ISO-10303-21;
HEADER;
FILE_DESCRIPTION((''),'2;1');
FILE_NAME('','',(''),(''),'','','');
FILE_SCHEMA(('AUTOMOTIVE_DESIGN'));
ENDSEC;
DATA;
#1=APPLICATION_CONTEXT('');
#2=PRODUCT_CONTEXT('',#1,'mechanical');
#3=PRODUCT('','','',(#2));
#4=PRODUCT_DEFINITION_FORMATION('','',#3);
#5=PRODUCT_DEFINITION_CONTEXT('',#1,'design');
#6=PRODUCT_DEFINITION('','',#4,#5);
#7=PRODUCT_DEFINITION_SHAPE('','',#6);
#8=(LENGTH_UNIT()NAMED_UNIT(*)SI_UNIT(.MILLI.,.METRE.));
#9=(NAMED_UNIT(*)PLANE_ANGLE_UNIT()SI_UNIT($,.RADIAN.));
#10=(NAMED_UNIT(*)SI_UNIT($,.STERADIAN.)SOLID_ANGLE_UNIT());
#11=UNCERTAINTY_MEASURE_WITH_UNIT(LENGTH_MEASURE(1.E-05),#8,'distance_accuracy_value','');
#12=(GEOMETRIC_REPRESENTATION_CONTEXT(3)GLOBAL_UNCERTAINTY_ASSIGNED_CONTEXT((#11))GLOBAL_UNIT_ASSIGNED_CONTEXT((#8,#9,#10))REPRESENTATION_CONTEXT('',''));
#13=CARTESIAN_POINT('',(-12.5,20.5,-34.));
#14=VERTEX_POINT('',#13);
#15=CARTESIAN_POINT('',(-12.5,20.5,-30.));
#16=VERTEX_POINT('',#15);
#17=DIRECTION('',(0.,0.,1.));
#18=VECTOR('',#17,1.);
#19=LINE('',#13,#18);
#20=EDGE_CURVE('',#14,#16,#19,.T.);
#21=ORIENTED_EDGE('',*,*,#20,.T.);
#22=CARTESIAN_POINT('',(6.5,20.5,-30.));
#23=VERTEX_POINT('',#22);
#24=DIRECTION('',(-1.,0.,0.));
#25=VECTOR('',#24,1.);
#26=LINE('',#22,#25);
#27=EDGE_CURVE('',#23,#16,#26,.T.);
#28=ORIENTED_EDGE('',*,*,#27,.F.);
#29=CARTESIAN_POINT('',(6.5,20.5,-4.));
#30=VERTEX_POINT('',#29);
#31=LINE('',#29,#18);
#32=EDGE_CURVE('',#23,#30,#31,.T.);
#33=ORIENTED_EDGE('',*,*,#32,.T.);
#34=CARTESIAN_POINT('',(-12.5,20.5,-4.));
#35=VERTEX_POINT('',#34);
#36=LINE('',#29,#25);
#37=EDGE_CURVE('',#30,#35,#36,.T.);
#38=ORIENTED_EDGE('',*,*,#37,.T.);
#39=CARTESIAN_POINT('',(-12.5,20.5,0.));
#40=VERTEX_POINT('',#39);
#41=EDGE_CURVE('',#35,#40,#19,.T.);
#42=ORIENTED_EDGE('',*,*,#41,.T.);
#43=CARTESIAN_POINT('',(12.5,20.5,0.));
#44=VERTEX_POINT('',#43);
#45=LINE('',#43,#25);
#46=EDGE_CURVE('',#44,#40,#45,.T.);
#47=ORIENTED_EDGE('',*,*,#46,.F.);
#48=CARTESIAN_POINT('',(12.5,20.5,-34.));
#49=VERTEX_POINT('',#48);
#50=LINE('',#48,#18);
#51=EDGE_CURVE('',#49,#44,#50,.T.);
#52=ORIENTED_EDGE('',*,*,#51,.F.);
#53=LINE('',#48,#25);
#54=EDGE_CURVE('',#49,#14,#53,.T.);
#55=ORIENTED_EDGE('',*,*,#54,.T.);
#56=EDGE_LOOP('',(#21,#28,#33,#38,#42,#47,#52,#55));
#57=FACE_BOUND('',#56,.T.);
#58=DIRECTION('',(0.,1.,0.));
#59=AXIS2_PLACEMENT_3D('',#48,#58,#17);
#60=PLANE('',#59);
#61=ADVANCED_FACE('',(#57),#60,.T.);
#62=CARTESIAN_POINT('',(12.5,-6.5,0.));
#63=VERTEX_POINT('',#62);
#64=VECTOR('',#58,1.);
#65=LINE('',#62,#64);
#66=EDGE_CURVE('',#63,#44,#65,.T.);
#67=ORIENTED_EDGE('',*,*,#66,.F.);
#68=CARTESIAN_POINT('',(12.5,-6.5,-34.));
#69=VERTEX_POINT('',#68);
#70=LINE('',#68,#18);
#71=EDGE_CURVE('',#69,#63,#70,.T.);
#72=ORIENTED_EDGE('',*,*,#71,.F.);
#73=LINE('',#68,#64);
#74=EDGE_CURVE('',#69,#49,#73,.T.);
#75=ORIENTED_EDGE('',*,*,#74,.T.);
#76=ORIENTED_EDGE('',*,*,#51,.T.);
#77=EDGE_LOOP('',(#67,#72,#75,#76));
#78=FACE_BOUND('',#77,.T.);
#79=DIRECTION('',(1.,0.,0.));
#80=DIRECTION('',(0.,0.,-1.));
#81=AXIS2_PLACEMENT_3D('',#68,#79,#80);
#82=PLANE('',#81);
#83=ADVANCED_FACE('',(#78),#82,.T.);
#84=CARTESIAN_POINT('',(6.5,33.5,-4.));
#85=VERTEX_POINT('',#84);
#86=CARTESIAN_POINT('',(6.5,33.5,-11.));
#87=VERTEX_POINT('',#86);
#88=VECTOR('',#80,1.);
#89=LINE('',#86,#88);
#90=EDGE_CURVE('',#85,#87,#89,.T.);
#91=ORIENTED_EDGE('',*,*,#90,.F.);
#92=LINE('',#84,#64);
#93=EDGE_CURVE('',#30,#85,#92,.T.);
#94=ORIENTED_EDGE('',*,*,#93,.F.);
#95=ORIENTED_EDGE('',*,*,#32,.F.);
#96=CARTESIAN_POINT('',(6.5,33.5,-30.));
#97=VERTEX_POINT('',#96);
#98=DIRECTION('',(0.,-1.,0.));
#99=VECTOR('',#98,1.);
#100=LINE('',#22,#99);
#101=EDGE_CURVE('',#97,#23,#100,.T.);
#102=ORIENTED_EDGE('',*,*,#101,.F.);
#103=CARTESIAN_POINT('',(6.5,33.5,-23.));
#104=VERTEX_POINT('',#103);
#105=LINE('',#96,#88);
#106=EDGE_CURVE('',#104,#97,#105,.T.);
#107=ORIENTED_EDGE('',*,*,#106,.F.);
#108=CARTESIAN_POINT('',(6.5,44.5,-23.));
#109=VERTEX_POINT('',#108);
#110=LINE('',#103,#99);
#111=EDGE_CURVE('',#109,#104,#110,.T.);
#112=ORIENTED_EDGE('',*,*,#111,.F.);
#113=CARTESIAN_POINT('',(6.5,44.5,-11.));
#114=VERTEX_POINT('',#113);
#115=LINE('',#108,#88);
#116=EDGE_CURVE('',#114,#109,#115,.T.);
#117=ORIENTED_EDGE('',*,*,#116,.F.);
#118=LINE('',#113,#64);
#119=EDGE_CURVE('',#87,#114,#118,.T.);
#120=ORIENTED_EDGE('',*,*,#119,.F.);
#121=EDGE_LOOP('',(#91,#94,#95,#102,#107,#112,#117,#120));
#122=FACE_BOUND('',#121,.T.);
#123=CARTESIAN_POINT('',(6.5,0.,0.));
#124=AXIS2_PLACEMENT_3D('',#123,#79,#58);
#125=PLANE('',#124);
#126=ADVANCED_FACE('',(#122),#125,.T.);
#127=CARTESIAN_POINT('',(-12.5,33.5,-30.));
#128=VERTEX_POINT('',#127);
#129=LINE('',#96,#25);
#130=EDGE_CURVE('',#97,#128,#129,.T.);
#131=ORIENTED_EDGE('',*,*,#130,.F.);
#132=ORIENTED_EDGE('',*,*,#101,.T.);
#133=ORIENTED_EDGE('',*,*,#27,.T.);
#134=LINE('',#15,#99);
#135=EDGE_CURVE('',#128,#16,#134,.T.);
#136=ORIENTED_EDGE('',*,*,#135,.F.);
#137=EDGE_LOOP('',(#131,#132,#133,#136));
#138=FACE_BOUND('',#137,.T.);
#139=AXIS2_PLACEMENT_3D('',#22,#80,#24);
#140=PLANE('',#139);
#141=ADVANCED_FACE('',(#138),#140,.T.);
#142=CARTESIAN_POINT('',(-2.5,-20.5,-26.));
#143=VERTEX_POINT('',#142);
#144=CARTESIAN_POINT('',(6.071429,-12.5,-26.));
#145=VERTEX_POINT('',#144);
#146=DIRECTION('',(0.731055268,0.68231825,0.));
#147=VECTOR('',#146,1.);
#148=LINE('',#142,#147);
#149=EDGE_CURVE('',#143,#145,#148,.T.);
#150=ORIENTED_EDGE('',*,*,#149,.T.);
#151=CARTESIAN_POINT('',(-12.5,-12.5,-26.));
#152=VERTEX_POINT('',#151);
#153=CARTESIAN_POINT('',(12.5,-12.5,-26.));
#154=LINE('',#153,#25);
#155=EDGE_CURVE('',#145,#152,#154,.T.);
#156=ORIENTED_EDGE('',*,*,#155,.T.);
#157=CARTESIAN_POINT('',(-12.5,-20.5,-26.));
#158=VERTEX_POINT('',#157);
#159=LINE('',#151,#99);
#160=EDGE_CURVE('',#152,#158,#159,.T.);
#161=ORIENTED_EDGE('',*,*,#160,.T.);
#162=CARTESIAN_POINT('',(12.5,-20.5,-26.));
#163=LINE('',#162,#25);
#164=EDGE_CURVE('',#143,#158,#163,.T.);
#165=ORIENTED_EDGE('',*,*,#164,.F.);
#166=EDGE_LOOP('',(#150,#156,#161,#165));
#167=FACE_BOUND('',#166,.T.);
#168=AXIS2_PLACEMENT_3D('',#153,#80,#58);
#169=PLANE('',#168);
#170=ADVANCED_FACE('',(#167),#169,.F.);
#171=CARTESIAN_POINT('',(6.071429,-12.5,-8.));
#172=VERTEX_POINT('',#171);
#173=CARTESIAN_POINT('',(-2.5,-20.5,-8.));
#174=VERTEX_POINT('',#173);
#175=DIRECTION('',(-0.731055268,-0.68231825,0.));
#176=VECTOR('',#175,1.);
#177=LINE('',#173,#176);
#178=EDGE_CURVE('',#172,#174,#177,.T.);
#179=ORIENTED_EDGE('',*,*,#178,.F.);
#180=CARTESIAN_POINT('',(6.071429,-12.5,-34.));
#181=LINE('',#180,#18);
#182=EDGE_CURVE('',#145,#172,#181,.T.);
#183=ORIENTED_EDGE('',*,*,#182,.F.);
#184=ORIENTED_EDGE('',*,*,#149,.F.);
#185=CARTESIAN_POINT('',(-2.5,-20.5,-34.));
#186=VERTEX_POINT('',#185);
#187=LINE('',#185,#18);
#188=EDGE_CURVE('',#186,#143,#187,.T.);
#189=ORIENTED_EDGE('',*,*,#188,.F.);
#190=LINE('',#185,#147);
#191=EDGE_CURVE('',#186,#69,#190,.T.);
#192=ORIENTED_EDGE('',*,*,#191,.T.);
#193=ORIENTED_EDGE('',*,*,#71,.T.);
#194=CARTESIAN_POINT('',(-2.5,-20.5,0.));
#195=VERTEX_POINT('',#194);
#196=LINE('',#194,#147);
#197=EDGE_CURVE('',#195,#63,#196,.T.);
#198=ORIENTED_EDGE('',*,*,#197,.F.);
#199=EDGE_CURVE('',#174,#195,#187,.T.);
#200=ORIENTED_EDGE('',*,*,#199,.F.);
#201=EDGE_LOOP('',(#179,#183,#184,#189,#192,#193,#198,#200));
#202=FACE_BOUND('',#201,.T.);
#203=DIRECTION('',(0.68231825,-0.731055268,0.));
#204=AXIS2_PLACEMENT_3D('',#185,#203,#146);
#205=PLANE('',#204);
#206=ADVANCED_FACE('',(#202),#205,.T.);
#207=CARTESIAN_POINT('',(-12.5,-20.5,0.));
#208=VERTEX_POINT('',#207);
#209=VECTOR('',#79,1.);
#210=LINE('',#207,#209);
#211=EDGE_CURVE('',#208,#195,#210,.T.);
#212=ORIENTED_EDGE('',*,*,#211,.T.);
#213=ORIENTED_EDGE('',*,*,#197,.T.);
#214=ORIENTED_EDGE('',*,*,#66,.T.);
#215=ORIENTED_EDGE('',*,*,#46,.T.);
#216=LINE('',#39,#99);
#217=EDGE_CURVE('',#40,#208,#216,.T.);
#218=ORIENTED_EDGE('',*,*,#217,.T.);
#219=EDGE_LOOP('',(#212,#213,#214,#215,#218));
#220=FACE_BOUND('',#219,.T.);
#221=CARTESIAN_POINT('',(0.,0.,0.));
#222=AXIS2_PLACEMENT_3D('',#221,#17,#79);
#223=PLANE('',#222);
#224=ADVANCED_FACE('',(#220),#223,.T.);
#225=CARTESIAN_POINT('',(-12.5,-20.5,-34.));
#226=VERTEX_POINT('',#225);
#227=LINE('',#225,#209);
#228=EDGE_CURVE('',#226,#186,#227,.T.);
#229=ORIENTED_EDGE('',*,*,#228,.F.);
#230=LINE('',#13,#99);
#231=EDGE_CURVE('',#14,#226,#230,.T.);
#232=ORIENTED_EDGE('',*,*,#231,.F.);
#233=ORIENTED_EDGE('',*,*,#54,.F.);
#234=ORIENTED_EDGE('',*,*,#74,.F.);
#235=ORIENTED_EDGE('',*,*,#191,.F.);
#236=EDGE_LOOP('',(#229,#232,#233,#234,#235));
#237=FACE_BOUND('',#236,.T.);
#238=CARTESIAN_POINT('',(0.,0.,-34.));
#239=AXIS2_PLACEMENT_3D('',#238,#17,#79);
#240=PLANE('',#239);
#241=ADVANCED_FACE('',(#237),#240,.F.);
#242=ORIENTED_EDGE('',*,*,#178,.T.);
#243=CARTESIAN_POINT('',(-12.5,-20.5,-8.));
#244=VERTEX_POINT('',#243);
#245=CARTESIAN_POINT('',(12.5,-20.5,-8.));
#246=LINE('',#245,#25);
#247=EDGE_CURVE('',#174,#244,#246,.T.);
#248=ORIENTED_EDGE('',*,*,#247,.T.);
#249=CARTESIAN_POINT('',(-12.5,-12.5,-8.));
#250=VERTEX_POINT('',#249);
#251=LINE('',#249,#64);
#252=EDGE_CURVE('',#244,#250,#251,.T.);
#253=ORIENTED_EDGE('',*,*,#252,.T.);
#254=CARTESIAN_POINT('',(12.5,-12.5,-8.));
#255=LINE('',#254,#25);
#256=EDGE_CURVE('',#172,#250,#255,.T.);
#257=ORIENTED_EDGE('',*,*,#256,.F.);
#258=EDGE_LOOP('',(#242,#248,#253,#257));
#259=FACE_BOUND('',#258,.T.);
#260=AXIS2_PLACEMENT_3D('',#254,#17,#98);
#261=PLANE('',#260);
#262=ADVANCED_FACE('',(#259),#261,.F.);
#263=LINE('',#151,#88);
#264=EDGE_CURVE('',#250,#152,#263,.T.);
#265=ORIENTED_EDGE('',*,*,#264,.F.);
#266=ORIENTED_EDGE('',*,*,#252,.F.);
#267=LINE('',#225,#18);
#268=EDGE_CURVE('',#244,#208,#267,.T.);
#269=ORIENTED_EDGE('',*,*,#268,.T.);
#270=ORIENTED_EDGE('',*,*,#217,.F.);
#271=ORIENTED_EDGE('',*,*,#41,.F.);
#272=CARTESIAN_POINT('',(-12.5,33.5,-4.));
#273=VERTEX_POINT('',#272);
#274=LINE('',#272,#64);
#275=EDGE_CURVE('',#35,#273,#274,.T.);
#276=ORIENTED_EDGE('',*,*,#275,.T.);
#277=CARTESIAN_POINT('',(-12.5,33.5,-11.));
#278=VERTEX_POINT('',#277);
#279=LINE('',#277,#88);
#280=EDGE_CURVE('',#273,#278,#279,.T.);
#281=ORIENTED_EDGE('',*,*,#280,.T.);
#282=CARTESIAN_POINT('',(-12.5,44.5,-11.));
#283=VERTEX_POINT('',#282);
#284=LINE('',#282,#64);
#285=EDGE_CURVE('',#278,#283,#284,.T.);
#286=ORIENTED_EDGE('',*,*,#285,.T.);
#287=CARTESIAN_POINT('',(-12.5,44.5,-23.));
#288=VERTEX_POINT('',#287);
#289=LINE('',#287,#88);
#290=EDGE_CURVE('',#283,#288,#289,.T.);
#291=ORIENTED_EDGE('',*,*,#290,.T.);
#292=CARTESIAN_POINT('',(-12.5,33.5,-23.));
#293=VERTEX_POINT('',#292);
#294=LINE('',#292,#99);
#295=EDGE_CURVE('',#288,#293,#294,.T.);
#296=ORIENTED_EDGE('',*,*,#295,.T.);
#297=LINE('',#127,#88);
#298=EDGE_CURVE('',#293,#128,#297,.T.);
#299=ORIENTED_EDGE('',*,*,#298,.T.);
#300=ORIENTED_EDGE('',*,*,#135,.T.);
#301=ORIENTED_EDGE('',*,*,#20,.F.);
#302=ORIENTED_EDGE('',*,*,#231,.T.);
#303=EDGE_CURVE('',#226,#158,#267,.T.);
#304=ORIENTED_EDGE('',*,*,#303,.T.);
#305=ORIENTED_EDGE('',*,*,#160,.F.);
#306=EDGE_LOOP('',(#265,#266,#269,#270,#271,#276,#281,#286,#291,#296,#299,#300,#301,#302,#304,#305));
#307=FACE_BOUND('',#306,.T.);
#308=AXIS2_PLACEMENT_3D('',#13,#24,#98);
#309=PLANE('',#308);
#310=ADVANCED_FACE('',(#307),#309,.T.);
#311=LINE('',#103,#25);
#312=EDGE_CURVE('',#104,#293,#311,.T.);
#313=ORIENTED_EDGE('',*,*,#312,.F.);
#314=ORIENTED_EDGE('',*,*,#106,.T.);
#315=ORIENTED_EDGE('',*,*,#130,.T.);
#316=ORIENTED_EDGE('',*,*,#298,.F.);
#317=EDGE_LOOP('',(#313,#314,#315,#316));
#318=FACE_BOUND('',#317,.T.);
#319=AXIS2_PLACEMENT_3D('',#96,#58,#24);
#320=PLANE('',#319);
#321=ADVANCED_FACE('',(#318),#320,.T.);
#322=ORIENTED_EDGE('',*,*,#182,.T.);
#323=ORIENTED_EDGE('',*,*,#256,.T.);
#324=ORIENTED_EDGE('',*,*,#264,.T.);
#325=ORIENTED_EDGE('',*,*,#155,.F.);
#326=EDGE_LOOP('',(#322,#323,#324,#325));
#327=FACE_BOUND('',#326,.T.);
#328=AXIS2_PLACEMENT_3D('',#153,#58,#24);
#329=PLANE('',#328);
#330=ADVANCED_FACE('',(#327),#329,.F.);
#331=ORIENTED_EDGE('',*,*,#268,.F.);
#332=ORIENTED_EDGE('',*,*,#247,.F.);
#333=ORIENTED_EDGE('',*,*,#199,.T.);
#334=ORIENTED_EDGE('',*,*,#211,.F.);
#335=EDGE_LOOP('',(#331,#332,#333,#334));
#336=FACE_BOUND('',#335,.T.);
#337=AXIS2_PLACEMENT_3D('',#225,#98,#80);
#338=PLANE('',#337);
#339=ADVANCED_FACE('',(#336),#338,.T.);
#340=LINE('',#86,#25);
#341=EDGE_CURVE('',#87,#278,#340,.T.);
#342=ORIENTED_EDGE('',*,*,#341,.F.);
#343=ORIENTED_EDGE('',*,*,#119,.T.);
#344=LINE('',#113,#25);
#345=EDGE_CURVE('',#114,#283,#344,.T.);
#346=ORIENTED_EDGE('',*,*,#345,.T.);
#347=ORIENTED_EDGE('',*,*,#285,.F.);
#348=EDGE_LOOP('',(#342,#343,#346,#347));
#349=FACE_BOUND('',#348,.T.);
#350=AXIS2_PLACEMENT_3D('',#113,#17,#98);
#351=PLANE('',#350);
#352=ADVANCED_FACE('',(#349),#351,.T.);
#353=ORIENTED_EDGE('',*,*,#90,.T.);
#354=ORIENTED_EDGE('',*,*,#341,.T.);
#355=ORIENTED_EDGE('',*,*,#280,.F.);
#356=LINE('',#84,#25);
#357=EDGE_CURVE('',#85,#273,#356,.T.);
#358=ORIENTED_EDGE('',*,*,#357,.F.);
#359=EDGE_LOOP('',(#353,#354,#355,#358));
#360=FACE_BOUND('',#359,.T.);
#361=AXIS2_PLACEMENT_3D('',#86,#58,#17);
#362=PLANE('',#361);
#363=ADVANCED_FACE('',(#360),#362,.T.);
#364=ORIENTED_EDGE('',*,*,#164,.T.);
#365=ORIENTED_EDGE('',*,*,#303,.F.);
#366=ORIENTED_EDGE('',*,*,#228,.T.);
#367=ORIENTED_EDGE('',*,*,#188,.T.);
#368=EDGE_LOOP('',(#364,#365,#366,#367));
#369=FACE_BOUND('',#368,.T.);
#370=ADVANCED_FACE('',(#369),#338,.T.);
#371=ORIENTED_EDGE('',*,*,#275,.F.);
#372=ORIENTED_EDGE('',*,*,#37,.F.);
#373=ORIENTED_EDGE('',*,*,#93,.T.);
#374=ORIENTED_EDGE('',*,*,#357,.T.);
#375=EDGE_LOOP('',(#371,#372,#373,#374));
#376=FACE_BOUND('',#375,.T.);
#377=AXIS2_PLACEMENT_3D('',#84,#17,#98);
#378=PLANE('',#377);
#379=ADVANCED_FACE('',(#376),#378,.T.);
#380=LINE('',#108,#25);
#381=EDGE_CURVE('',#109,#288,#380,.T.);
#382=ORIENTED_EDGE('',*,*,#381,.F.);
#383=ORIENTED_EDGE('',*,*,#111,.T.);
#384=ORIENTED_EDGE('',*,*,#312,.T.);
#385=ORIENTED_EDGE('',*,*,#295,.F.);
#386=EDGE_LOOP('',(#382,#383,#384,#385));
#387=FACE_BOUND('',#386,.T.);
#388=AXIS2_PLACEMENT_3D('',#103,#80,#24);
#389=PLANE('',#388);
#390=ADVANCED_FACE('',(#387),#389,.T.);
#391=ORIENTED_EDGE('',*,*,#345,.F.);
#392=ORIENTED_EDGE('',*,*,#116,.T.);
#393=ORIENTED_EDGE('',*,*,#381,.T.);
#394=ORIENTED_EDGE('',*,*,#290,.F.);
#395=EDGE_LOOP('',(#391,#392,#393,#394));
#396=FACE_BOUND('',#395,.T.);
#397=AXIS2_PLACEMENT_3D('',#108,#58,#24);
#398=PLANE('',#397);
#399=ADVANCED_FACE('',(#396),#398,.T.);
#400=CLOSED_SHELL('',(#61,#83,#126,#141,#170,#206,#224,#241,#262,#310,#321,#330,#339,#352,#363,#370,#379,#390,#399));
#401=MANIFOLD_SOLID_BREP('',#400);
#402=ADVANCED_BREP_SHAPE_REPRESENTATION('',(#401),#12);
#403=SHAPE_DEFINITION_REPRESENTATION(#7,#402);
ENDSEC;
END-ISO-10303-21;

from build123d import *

# Parameters (mm, degrees)
BOSS_EXTRUDE1_DEPTH = 34
BOSS_EXTRUDE2_DEPTH = 19
SKETCH3_W           = 18
SKETCH3_H           = 8
CUT_EXTRUDE1_DEPTH  = 62.329030646


with BuildPart() as part:
    # Sketch1 → Boss-Extrude1 (new body)
    with BuildSketch(Plane.XY):
        Polygon((-12.5, 20.5), (-12.5, -20.5), (-2.5, -20.5), (12.5, -6.5), (12.5, 20.5), align=None)
    extrude(amount=-BOSS_EXTRUDE1_DEPTH)

    # Sketch2 → Boss-Extrude2 (add)
    with BuildSketch(Plane.ZY.offset(12.5)):
        Polygon((-30, 20.5), (-30, 33.5), (-23, 33.5), (-23, 44.5), (-11, 44.5), (-11, 33.5), (-4, 33.5), (-4, 20.5), align=None)
    extrude(amount=-BOSS_EXTRUDE2_DEPTH)

    # Sketch3 → Cut-Extrude1 (cut, through all)
    with BuildSketch(Plane.ZY.offset(12.5)):
        with Locations((-17, -16.5)):
            Rectangle(SKETCH3_W, SKETCH3_H)
    extrude(amount=-CUT_EXTRUDE1_DEPTH, mode=Mode.SUBTRACT)


solid = part.part
